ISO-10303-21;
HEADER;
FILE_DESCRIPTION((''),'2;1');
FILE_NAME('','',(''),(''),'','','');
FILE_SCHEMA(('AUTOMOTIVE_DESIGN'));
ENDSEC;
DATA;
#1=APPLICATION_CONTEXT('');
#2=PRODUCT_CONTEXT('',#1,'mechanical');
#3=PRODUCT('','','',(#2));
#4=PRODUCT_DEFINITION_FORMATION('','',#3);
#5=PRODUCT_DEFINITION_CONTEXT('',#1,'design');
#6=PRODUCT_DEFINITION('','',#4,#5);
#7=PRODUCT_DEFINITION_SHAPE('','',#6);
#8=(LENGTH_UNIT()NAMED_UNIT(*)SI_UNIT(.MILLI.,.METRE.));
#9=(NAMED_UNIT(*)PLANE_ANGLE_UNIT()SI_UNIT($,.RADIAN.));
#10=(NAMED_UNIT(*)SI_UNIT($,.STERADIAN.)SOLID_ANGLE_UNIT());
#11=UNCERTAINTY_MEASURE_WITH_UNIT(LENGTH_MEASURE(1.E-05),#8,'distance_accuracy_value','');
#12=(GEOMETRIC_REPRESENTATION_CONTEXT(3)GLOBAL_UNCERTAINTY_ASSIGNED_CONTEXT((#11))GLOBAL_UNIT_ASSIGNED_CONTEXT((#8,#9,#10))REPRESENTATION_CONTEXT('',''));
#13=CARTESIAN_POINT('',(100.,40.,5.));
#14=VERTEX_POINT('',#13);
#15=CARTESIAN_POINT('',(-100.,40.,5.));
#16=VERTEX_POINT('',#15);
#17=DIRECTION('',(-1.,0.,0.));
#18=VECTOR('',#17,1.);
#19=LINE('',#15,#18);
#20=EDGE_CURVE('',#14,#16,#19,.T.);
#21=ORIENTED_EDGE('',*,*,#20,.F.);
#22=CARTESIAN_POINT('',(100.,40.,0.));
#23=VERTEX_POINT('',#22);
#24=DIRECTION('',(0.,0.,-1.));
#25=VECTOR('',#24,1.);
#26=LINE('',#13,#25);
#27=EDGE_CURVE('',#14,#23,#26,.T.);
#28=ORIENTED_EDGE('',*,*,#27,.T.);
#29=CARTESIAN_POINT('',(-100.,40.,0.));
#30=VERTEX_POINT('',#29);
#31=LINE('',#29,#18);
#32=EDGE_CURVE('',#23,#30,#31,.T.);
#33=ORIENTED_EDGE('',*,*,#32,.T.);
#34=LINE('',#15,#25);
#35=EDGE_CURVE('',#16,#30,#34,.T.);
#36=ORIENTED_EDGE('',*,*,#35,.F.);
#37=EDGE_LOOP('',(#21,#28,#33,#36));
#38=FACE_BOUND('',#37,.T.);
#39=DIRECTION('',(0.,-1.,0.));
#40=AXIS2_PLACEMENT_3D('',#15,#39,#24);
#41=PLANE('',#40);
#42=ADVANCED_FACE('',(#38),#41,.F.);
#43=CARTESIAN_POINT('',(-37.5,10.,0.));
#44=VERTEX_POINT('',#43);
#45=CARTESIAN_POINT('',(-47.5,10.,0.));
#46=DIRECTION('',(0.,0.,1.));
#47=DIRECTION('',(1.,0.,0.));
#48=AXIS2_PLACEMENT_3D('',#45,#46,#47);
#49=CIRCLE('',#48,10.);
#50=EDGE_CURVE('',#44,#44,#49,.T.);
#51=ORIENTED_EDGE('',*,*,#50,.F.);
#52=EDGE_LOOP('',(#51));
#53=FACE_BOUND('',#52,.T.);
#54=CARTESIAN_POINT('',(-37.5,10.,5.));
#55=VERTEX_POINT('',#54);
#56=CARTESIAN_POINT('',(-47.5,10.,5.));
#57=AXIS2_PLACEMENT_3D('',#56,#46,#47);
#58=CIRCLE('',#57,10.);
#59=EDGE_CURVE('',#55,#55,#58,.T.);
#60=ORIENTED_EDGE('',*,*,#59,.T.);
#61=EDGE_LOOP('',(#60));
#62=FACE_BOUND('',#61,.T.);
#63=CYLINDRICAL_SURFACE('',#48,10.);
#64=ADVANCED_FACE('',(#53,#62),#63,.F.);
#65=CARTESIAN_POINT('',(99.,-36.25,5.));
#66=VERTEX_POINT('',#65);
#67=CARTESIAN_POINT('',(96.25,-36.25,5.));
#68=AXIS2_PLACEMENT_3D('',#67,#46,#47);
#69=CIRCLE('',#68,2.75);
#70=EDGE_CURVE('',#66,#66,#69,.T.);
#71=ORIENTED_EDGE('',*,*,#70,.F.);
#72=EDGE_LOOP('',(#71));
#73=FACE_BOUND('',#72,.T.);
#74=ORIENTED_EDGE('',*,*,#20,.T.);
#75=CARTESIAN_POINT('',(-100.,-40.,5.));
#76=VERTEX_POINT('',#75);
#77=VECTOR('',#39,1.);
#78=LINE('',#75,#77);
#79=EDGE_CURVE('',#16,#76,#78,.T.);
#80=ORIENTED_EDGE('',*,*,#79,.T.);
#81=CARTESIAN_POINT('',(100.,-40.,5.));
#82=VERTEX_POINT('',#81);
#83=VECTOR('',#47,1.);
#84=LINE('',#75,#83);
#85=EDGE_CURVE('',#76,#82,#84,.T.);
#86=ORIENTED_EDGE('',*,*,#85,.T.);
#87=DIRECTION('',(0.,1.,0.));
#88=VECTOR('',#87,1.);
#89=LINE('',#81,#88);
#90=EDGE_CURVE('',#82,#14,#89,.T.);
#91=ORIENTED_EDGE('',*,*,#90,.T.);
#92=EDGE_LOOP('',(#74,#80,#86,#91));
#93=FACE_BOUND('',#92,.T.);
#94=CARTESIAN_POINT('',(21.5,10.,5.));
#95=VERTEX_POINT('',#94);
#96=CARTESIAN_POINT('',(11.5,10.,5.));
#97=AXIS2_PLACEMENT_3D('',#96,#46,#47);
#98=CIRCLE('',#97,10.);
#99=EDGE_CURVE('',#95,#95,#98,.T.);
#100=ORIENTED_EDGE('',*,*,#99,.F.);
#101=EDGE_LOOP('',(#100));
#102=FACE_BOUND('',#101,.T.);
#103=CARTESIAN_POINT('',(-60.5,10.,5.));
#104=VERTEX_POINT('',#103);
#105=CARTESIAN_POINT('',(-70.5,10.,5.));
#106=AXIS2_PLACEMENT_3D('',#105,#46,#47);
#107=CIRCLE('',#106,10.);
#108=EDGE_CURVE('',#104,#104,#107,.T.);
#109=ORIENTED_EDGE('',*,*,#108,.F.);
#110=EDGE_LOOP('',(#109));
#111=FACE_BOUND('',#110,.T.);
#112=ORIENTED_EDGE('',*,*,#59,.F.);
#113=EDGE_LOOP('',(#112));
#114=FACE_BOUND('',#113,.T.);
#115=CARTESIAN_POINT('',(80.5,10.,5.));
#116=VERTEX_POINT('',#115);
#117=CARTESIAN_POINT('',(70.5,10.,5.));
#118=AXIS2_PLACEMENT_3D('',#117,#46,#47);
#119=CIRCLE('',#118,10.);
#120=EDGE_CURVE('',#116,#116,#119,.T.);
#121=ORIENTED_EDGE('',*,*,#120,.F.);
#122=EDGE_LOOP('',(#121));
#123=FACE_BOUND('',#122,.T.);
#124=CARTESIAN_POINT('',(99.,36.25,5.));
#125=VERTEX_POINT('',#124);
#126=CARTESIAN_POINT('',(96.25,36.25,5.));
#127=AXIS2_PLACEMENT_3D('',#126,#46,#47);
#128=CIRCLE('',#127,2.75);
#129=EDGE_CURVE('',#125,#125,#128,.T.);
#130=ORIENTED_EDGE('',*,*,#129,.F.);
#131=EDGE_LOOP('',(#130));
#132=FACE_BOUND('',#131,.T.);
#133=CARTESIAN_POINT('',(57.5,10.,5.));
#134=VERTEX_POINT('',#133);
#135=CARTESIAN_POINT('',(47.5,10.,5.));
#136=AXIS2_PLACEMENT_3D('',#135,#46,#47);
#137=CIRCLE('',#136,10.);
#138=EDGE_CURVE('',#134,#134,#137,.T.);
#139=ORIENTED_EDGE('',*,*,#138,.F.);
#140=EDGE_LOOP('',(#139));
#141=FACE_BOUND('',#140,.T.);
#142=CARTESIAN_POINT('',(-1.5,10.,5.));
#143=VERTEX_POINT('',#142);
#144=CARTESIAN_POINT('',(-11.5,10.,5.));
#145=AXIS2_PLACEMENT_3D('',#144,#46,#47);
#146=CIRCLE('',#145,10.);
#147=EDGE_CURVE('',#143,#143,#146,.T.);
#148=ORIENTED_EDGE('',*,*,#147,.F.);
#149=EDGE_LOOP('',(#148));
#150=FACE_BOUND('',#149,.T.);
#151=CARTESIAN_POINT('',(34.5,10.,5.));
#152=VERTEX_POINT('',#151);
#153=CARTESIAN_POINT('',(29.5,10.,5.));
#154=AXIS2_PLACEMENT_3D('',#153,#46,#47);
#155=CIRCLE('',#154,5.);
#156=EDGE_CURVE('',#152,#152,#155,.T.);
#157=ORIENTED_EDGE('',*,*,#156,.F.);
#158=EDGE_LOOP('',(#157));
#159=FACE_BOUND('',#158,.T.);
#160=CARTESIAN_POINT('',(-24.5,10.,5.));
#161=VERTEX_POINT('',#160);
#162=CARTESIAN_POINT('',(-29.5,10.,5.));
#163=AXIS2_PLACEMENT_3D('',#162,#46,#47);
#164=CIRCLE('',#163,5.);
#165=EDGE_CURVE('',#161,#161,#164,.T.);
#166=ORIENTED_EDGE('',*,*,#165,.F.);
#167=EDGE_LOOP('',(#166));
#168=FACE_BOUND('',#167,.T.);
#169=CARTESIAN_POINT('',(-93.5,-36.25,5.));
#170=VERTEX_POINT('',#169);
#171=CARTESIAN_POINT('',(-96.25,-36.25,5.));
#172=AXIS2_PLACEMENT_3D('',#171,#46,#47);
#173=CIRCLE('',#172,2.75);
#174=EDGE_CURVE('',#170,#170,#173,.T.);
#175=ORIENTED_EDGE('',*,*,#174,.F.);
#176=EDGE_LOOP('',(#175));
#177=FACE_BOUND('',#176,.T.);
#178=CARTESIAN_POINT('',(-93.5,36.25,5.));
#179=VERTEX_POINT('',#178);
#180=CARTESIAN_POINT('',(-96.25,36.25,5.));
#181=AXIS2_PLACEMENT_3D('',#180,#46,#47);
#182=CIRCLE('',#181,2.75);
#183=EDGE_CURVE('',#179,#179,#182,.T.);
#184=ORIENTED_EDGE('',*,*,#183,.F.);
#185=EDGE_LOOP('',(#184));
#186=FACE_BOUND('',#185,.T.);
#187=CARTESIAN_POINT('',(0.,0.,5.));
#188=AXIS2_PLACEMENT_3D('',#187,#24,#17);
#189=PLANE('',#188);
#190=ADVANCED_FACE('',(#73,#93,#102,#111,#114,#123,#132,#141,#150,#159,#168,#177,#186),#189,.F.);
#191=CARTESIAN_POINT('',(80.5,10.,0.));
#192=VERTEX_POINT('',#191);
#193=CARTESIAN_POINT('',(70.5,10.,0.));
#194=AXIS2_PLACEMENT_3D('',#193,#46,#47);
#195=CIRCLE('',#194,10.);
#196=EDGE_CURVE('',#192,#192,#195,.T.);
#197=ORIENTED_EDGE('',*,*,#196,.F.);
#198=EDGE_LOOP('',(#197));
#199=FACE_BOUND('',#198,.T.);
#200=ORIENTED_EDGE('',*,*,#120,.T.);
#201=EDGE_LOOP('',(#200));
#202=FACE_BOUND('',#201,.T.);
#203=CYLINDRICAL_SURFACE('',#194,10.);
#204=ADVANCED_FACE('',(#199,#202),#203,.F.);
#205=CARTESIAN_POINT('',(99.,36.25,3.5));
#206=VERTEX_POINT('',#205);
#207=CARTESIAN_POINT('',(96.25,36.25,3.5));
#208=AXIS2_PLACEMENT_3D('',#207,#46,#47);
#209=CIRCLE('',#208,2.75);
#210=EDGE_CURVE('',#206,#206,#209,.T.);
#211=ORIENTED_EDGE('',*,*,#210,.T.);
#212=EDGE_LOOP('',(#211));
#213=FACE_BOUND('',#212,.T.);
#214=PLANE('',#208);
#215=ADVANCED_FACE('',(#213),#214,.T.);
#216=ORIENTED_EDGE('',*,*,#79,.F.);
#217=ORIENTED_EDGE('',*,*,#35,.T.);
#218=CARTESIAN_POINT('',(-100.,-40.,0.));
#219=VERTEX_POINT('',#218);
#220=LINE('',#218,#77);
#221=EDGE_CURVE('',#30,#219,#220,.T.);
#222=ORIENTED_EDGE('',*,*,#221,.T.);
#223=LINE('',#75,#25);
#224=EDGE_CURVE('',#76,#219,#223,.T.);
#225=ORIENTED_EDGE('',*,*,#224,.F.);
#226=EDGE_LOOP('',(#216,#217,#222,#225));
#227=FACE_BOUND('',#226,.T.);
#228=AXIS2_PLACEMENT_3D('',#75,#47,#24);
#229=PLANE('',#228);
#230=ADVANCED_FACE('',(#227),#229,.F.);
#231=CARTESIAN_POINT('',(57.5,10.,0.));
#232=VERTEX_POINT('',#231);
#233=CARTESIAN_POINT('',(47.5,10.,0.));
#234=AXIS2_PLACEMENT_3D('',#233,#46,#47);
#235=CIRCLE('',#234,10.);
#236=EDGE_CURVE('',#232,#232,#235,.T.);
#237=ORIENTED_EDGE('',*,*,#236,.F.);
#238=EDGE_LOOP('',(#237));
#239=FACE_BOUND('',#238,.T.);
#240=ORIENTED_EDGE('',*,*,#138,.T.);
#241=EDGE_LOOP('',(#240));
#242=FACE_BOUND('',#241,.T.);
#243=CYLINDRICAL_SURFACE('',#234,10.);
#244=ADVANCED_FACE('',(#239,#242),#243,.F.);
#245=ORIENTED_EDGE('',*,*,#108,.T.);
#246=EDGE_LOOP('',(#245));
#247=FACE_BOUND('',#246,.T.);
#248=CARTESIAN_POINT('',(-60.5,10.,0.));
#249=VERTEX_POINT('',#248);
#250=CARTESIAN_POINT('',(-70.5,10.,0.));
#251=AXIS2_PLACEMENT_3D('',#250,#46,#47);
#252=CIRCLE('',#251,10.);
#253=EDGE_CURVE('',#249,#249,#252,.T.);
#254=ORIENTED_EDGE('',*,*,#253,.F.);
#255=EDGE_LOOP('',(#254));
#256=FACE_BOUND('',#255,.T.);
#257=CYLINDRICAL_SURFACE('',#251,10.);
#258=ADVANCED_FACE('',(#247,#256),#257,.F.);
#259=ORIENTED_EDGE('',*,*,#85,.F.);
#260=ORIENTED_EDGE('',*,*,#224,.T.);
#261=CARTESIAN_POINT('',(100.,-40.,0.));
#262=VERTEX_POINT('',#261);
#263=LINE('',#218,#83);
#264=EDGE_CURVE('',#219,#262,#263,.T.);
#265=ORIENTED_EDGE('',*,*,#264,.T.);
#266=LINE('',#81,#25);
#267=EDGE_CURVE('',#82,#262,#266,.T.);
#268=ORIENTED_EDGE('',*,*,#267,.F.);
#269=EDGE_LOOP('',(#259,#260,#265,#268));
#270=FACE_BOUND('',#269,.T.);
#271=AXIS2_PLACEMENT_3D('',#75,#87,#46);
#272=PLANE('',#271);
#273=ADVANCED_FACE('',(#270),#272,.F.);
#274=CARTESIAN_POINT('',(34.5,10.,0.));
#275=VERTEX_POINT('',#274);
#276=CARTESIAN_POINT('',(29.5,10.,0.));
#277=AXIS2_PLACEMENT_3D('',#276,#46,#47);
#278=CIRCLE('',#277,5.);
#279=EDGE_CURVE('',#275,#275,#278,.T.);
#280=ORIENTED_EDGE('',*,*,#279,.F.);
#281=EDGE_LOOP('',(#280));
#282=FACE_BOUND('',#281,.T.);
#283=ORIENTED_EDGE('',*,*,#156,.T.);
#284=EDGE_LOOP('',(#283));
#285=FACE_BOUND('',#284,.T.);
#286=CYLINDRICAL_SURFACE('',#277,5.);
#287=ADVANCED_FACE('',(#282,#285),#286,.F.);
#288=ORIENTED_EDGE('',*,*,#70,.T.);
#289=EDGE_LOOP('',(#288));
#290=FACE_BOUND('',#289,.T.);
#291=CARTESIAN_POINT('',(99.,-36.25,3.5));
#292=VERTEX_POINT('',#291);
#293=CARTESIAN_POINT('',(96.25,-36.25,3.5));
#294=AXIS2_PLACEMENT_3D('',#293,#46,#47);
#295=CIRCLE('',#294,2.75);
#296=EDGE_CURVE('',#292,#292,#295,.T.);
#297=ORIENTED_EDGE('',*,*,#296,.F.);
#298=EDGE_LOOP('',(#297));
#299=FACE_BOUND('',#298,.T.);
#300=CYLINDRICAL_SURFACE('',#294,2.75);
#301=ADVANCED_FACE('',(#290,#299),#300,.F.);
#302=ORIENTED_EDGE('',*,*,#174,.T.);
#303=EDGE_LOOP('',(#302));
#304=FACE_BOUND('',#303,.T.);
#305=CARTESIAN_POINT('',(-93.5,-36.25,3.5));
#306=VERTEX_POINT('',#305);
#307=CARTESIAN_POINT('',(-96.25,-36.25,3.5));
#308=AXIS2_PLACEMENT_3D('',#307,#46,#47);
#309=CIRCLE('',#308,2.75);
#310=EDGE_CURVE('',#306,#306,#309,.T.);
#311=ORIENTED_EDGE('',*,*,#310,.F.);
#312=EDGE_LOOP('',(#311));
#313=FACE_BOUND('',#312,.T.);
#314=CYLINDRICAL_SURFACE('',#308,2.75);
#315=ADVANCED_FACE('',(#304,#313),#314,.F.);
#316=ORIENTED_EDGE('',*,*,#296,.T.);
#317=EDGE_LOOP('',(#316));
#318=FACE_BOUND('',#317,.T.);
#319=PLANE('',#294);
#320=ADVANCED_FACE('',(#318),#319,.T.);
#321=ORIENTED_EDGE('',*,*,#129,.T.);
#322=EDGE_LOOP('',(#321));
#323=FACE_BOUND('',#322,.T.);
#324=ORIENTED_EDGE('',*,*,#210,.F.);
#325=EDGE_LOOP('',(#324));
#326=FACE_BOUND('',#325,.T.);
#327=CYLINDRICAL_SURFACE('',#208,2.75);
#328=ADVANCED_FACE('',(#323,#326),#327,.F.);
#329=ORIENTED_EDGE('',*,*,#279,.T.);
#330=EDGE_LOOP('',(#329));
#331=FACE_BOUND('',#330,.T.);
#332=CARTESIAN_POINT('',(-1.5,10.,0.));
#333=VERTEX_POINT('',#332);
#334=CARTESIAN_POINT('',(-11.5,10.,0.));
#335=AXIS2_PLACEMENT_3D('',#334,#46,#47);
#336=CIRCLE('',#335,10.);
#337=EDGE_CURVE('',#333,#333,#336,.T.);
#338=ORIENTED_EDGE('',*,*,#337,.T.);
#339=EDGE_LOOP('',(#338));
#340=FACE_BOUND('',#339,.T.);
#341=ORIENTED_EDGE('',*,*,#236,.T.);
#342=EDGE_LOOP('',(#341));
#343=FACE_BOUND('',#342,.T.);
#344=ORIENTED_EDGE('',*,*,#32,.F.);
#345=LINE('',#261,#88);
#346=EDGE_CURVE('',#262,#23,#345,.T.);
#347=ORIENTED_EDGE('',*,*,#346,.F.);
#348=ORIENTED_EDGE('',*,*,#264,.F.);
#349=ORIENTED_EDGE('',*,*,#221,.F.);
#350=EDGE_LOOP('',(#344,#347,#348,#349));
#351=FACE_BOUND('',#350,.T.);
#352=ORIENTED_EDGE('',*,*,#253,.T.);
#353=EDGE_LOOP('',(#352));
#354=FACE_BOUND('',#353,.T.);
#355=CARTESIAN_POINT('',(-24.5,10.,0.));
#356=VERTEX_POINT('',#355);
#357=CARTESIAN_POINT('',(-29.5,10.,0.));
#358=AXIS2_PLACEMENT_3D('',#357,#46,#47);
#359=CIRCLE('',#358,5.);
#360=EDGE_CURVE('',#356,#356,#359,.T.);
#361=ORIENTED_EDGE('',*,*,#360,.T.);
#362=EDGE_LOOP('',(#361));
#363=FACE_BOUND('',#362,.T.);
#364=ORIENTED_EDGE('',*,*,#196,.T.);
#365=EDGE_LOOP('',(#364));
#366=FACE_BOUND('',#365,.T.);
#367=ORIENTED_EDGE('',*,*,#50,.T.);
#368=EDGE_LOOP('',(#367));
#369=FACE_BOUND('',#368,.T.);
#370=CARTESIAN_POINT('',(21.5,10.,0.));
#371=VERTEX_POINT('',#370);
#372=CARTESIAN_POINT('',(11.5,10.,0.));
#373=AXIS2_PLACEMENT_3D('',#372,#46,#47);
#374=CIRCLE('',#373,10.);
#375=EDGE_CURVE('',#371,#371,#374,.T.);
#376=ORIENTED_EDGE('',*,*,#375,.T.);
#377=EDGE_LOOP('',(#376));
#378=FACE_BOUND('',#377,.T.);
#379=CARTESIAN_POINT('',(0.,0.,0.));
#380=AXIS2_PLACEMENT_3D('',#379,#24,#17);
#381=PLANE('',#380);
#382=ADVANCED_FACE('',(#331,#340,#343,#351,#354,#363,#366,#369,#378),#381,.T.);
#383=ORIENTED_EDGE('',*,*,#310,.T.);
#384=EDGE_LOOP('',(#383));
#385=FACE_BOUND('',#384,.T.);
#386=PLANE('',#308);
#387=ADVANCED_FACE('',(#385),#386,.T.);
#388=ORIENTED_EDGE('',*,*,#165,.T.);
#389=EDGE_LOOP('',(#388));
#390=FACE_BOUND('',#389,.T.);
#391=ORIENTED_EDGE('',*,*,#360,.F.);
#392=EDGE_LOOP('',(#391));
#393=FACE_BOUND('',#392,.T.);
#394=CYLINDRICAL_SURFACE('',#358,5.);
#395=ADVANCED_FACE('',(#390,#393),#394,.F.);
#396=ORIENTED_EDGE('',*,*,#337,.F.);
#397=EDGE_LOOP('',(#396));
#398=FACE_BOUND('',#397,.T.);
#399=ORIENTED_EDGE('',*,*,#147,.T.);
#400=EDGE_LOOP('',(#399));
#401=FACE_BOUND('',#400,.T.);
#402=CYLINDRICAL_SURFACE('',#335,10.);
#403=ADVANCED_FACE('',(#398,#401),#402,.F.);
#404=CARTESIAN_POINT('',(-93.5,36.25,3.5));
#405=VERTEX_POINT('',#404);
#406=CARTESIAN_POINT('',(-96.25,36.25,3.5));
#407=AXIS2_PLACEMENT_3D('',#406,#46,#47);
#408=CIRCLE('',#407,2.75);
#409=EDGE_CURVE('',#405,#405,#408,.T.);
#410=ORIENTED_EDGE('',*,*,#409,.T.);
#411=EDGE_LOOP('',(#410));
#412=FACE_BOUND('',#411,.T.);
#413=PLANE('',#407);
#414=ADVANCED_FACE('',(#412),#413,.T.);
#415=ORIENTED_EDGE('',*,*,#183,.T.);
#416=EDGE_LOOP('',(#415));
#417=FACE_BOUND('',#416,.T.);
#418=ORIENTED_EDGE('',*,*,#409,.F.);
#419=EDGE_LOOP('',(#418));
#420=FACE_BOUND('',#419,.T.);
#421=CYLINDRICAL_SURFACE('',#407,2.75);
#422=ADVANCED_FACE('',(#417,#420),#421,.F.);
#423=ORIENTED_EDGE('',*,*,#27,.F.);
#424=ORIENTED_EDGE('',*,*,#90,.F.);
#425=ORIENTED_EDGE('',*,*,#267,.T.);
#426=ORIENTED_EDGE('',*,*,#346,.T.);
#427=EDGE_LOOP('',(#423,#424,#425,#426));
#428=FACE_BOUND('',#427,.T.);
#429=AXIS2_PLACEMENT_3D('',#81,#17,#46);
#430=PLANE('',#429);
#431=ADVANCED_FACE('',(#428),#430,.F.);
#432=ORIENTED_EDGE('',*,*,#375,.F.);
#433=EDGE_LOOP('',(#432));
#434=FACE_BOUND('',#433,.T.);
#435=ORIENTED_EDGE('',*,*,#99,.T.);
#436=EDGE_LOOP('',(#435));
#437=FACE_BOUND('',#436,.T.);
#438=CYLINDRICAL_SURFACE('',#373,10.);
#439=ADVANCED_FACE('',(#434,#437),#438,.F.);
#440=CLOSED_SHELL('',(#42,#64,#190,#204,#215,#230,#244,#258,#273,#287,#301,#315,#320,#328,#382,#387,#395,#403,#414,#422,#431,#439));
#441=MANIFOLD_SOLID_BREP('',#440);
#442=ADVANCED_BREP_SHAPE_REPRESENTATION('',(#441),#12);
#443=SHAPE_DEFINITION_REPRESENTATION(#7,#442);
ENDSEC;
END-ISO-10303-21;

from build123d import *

# Parameters (mm, degrees)
CROQUIS1_W              = 200
CROQUIS1_H              = 80
SALIENTE_EXTRUIR1_DEPTH = 5
CROQUIS2_R              = 2.75
CORTAR_EXTRUIR1_DEPTH   = 1.5
CROQUIS4_R              = 10
CROQUIS4_R_2            = 5
CORTAR_EXTRUIR3_DEPTH   = 5


with BuildPart() as part:
    # Croquis1 → Saliente-Extruir1 (new body)
    with BuildSketch(Plane.XY):
        Rectangle(CROQUIS1_W, CROQUIS1_H)
    extrude(amount=SALIENTE_EXTRUIR1_DEPTH)

    # Croquis2 → Cortar-Extruir1 (cut)
    with BuildSketch(Plane.XY.offset(5)):
        with Locations((-96.25, 36.25)):
            Circle(CROQUIS2_R)
        with Locations((96.25, 36.25)):
            Circle(CROQUIS2_R)
        with Locations((96.25, -36.25)):
            Circle(CROQUIS2_R)
        with Locations((-96.25, -36.25)):
            Circle(CROQUIS2_R)
    extrude(amount=-CORTAR_EXTRUIR1_DEPTH, mode=Mode.SUBTRACT)

    # Croquis4 → Cortar-Extruir3 (cut)
    with BuildSketch(Plane.XY.offset(5)):
        with Locations((-70.5, 10)):
            Circle(CROQUIS4_R)
        with Locations((-47.5, 10)):
            Circle(CROQUIS4_R)
        with Locations((-29.5, 10)):
            Circle(CROQUIS4_R_2)
        with Locations((-11.5, 10)):
            Circle(CROQUIS4_R)
        with Locations((11.5, 10)):
            Circle(CROQUIS4_R)
        with Locations((29.5, 10)):
            Circle(CROQUIS4_R_2)
        with Locations((47.5, 10)):
            Circle(CROQUIS4_R)
        with Locations((70.5, 10)):
            Circle(CROQUIS4_R)
    extrude(amount=-CORTAR_EXTRUIR3_DEPTH, mode=Mode.SUBTRACT)


solid = part.part
